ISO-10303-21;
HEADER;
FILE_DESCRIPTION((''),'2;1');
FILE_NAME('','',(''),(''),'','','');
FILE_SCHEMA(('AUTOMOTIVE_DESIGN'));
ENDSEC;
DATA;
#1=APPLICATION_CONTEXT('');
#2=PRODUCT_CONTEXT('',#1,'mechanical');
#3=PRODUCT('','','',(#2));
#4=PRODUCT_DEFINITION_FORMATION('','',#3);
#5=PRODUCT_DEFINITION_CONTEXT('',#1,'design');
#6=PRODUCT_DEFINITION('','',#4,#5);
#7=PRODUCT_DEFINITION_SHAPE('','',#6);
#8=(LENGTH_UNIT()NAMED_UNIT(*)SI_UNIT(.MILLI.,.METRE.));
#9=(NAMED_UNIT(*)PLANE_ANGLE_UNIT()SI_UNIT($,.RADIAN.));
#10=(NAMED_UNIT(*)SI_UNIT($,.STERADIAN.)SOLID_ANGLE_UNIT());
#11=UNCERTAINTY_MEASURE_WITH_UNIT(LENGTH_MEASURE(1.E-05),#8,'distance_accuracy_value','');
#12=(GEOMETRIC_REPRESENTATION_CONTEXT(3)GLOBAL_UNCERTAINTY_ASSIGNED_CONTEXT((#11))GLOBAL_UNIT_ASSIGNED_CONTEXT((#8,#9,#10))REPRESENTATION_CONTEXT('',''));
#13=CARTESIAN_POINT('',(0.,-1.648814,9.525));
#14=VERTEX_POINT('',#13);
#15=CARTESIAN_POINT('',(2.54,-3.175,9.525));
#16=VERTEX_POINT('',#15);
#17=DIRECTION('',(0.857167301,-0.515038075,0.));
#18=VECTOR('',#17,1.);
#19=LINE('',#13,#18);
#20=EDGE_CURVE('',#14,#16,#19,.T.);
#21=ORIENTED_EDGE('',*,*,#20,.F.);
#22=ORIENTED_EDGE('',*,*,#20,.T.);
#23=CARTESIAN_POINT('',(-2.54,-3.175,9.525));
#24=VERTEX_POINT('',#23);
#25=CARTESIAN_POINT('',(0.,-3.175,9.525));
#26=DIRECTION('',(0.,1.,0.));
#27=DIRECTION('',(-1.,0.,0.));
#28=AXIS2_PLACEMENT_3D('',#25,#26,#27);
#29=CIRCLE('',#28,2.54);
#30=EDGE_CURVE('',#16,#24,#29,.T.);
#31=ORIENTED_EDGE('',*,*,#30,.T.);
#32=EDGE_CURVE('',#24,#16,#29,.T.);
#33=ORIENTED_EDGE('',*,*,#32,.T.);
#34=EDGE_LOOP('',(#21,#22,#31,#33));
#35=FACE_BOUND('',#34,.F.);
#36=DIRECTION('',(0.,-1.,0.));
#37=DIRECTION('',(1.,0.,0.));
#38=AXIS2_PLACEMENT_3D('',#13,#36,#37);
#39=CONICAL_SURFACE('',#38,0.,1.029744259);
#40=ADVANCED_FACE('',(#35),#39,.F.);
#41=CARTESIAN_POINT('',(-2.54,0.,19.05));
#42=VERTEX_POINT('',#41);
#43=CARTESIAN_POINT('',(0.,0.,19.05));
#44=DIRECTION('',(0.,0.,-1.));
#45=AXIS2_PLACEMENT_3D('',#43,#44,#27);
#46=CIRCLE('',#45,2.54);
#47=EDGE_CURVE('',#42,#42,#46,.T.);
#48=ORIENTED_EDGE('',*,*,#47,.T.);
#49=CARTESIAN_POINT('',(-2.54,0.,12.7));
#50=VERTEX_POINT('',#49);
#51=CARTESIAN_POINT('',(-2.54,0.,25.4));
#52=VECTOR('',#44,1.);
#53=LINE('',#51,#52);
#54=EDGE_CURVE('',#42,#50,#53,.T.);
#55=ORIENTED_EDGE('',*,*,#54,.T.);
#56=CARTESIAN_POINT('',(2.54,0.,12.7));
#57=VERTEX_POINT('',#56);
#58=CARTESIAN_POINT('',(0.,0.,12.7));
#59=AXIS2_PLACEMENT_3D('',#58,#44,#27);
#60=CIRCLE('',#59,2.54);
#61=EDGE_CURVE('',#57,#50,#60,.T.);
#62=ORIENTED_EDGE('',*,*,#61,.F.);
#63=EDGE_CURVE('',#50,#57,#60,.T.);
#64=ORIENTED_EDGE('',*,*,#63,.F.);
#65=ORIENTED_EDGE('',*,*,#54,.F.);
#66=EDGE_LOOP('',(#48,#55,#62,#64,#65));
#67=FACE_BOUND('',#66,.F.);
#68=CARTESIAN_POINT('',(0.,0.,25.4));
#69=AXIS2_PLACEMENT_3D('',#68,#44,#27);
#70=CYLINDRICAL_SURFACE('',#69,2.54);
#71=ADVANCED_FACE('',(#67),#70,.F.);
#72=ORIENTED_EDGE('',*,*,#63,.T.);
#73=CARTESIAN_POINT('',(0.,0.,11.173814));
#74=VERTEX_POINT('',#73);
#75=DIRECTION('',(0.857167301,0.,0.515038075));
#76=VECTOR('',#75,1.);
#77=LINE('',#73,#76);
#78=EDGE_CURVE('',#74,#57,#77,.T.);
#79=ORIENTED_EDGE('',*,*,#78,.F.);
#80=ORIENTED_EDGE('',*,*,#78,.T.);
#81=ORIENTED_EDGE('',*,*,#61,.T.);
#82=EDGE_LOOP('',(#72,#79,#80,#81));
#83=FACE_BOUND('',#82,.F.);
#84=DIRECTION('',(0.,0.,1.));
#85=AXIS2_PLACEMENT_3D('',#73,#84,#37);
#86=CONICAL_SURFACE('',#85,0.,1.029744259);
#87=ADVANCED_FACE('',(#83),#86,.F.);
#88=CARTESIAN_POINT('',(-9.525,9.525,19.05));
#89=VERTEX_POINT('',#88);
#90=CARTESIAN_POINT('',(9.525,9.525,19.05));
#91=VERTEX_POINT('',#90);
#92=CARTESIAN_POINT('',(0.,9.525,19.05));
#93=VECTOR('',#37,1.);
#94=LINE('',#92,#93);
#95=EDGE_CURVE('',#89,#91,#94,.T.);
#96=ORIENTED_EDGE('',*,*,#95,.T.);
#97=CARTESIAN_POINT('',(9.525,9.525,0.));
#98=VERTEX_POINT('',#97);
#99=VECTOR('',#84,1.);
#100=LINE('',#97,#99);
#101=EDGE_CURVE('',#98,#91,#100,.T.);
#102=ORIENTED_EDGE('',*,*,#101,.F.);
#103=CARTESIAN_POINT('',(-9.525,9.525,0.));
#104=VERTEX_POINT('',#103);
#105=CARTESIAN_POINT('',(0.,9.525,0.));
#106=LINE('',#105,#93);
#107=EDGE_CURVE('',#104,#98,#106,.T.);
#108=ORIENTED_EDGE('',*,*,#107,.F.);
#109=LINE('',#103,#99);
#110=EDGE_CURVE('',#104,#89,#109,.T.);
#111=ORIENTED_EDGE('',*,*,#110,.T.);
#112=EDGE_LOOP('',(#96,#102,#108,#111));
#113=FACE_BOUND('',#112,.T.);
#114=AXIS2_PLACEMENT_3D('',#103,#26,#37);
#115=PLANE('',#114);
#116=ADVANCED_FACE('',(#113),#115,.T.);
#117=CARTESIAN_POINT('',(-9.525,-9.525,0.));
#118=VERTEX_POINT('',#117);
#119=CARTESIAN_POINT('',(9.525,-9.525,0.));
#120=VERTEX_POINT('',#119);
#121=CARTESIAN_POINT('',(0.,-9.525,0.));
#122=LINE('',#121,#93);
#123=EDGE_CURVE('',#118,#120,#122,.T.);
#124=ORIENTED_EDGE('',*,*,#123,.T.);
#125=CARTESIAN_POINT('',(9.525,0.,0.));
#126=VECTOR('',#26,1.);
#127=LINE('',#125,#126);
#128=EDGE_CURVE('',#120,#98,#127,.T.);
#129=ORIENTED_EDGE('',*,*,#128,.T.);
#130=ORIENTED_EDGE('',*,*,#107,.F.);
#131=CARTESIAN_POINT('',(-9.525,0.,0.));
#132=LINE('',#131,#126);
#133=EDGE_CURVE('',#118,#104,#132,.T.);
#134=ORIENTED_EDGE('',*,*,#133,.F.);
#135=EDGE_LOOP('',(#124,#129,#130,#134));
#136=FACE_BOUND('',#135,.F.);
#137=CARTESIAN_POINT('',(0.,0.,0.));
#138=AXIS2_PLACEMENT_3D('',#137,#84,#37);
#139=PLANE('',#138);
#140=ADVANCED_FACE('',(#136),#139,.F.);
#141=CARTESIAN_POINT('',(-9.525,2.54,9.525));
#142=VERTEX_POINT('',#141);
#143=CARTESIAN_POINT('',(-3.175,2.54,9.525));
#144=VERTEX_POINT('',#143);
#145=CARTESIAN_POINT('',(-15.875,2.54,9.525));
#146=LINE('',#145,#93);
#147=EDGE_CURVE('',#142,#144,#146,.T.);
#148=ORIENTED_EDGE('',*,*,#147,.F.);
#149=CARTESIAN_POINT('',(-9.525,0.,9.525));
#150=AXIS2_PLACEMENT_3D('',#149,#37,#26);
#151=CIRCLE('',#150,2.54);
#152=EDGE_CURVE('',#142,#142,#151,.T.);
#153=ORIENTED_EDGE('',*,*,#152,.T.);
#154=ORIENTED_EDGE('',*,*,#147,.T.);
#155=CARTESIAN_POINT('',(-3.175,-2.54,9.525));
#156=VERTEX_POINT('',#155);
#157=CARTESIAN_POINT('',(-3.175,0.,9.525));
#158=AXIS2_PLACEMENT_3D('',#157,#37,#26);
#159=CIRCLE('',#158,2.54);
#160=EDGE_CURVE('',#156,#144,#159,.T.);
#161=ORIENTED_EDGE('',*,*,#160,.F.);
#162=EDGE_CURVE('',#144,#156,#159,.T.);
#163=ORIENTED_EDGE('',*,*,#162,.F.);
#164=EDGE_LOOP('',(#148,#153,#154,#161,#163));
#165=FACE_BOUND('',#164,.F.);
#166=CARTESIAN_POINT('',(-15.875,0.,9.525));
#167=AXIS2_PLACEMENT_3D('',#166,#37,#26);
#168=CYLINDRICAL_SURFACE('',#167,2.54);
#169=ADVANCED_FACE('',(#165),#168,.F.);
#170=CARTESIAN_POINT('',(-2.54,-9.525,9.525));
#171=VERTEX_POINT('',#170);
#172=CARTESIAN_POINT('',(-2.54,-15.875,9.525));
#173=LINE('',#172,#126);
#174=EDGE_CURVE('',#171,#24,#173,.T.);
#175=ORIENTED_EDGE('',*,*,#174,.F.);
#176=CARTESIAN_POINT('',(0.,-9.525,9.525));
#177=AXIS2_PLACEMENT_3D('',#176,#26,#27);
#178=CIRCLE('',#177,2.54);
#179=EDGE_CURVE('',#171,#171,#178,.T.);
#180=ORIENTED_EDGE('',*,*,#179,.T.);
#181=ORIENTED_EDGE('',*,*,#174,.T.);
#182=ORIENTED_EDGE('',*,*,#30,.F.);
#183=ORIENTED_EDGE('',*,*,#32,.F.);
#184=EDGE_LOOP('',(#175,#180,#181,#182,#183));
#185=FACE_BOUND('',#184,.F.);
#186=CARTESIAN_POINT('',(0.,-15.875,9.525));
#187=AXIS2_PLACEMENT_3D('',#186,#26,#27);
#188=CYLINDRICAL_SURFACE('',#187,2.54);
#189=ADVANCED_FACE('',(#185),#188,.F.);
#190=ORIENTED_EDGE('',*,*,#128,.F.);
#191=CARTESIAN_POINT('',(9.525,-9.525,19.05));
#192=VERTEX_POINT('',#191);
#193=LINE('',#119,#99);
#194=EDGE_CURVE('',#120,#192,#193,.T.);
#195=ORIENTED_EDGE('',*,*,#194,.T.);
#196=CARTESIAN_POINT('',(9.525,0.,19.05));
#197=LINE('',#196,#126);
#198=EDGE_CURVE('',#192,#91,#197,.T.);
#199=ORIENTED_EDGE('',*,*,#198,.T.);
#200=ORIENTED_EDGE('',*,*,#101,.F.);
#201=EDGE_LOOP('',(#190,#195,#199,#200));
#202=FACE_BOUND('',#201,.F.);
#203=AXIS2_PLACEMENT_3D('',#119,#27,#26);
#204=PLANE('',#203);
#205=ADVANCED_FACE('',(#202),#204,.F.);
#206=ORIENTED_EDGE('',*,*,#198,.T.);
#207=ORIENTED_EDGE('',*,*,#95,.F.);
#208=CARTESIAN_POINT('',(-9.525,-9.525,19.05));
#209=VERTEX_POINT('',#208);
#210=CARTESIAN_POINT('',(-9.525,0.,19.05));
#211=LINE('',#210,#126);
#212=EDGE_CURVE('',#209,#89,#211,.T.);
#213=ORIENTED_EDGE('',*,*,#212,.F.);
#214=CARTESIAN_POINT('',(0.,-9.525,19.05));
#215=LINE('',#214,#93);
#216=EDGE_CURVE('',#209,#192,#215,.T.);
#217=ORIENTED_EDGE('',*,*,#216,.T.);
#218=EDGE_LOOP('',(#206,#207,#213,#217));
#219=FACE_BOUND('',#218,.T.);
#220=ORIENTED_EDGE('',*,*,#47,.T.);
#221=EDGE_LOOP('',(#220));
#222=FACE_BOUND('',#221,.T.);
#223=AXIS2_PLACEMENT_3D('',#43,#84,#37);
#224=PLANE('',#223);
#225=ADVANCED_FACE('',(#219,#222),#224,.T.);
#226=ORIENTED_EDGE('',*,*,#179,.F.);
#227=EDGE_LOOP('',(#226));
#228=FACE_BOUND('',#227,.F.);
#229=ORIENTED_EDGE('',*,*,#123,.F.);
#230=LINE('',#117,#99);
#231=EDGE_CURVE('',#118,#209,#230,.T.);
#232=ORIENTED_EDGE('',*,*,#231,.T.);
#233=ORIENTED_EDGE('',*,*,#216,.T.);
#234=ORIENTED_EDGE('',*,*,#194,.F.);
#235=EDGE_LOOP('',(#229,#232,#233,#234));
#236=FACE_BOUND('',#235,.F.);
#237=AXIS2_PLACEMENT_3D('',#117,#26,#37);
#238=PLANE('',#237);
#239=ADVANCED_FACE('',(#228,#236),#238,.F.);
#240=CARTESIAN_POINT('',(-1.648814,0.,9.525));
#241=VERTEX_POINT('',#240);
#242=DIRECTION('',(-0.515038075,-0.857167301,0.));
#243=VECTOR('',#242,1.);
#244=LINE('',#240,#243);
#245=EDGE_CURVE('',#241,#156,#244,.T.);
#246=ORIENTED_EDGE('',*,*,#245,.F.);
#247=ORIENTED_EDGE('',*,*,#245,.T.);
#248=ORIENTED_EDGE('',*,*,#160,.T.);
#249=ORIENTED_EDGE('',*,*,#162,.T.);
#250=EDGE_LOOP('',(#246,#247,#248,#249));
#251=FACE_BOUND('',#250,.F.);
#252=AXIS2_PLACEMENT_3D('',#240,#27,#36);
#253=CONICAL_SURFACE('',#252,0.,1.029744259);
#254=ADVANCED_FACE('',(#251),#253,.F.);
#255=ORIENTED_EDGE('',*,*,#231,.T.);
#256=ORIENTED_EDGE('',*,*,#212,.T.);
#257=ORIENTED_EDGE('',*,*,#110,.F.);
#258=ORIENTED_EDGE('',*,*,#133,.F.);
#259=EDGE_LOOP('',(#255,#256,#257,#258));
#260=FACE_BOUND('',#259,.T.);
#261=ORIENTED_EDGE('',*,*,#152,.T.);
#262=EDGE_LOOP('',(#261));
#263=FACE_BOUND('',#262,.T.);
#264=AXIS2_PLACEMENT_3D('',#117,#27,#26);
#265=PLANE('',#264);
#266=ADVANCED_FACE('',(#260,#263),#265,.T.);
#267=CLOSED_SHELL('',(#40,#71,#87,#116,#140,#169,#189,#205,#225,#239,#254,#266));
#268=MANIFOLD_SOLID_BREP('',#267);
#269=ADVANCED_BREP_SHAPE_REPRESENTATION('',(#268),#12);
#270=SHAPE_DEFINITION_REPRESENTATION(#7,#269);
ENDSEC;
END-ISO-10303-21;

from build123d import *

# Parameters (mm, degrees)
F0_W     = 19.05
F0_H     = 19.05
F1_DEPTH = 19.05
F3_D     = 5.08
F3_DEPTH = 6.35
F3_TIP   = 1.5261859723
F5_D     = 5.08
F5_DEPTH = 6.35
F5_TIP   = 1.5261859723
F7_D     = 5.08
F7_DEPTH = 6.35
F7_TIP   = 1.5261859723


with BuildPart() as f1:
    # F0 (on Top) → F1 (new body)
    with BuildSketch(Plane.XY):
        Rectangle(F0_W, F0_H)
    extrude(amount=F1_DEPTH)

    # F3
    with Locations(Plane.XZ.offset(9.525)):
        with Locations((0, 9.525)):
            Hole(F3_D / 2, depth=F3_DEPTH)
            with Locations((0, 0, -(F3_DEPTH + F3_TIP / 2))):  # 118° drill point
                Cone(0, F3_D / 2, F3_TIP, mode=Mode.SUBTRACT)

    # F5
    with Locations(Plane(origin=(-9.525, 0, 0), x_dir=(0, -1, 0), z_dir=(-1, 0, 0))):
        with Locations((0, 9.525)):
            Hole(F5_D / 2, depth=F5_DEPTH)
            with Locations((0, 0, -(F5_DEPTH + F5_TIP / 2))):  # 118° drill point
                Cone(0, F5_D / 2, F5_TIP, mode=Mode.SUBTRACT)

    # F7
    with Locations(Plane.XY.offset(19.05)):
        with Locations((0, 0)):
            Hole(F7_D / 2, depth=F7_DEPTH)
            with Locations((0, 0, -(F7_DEPTH + F7_TIP / 2))):  # 118° drill point
                Cone(0, F7_D / 2, F7_TIP, mode=Mode.SUBTRACT)


solid = f1.part
